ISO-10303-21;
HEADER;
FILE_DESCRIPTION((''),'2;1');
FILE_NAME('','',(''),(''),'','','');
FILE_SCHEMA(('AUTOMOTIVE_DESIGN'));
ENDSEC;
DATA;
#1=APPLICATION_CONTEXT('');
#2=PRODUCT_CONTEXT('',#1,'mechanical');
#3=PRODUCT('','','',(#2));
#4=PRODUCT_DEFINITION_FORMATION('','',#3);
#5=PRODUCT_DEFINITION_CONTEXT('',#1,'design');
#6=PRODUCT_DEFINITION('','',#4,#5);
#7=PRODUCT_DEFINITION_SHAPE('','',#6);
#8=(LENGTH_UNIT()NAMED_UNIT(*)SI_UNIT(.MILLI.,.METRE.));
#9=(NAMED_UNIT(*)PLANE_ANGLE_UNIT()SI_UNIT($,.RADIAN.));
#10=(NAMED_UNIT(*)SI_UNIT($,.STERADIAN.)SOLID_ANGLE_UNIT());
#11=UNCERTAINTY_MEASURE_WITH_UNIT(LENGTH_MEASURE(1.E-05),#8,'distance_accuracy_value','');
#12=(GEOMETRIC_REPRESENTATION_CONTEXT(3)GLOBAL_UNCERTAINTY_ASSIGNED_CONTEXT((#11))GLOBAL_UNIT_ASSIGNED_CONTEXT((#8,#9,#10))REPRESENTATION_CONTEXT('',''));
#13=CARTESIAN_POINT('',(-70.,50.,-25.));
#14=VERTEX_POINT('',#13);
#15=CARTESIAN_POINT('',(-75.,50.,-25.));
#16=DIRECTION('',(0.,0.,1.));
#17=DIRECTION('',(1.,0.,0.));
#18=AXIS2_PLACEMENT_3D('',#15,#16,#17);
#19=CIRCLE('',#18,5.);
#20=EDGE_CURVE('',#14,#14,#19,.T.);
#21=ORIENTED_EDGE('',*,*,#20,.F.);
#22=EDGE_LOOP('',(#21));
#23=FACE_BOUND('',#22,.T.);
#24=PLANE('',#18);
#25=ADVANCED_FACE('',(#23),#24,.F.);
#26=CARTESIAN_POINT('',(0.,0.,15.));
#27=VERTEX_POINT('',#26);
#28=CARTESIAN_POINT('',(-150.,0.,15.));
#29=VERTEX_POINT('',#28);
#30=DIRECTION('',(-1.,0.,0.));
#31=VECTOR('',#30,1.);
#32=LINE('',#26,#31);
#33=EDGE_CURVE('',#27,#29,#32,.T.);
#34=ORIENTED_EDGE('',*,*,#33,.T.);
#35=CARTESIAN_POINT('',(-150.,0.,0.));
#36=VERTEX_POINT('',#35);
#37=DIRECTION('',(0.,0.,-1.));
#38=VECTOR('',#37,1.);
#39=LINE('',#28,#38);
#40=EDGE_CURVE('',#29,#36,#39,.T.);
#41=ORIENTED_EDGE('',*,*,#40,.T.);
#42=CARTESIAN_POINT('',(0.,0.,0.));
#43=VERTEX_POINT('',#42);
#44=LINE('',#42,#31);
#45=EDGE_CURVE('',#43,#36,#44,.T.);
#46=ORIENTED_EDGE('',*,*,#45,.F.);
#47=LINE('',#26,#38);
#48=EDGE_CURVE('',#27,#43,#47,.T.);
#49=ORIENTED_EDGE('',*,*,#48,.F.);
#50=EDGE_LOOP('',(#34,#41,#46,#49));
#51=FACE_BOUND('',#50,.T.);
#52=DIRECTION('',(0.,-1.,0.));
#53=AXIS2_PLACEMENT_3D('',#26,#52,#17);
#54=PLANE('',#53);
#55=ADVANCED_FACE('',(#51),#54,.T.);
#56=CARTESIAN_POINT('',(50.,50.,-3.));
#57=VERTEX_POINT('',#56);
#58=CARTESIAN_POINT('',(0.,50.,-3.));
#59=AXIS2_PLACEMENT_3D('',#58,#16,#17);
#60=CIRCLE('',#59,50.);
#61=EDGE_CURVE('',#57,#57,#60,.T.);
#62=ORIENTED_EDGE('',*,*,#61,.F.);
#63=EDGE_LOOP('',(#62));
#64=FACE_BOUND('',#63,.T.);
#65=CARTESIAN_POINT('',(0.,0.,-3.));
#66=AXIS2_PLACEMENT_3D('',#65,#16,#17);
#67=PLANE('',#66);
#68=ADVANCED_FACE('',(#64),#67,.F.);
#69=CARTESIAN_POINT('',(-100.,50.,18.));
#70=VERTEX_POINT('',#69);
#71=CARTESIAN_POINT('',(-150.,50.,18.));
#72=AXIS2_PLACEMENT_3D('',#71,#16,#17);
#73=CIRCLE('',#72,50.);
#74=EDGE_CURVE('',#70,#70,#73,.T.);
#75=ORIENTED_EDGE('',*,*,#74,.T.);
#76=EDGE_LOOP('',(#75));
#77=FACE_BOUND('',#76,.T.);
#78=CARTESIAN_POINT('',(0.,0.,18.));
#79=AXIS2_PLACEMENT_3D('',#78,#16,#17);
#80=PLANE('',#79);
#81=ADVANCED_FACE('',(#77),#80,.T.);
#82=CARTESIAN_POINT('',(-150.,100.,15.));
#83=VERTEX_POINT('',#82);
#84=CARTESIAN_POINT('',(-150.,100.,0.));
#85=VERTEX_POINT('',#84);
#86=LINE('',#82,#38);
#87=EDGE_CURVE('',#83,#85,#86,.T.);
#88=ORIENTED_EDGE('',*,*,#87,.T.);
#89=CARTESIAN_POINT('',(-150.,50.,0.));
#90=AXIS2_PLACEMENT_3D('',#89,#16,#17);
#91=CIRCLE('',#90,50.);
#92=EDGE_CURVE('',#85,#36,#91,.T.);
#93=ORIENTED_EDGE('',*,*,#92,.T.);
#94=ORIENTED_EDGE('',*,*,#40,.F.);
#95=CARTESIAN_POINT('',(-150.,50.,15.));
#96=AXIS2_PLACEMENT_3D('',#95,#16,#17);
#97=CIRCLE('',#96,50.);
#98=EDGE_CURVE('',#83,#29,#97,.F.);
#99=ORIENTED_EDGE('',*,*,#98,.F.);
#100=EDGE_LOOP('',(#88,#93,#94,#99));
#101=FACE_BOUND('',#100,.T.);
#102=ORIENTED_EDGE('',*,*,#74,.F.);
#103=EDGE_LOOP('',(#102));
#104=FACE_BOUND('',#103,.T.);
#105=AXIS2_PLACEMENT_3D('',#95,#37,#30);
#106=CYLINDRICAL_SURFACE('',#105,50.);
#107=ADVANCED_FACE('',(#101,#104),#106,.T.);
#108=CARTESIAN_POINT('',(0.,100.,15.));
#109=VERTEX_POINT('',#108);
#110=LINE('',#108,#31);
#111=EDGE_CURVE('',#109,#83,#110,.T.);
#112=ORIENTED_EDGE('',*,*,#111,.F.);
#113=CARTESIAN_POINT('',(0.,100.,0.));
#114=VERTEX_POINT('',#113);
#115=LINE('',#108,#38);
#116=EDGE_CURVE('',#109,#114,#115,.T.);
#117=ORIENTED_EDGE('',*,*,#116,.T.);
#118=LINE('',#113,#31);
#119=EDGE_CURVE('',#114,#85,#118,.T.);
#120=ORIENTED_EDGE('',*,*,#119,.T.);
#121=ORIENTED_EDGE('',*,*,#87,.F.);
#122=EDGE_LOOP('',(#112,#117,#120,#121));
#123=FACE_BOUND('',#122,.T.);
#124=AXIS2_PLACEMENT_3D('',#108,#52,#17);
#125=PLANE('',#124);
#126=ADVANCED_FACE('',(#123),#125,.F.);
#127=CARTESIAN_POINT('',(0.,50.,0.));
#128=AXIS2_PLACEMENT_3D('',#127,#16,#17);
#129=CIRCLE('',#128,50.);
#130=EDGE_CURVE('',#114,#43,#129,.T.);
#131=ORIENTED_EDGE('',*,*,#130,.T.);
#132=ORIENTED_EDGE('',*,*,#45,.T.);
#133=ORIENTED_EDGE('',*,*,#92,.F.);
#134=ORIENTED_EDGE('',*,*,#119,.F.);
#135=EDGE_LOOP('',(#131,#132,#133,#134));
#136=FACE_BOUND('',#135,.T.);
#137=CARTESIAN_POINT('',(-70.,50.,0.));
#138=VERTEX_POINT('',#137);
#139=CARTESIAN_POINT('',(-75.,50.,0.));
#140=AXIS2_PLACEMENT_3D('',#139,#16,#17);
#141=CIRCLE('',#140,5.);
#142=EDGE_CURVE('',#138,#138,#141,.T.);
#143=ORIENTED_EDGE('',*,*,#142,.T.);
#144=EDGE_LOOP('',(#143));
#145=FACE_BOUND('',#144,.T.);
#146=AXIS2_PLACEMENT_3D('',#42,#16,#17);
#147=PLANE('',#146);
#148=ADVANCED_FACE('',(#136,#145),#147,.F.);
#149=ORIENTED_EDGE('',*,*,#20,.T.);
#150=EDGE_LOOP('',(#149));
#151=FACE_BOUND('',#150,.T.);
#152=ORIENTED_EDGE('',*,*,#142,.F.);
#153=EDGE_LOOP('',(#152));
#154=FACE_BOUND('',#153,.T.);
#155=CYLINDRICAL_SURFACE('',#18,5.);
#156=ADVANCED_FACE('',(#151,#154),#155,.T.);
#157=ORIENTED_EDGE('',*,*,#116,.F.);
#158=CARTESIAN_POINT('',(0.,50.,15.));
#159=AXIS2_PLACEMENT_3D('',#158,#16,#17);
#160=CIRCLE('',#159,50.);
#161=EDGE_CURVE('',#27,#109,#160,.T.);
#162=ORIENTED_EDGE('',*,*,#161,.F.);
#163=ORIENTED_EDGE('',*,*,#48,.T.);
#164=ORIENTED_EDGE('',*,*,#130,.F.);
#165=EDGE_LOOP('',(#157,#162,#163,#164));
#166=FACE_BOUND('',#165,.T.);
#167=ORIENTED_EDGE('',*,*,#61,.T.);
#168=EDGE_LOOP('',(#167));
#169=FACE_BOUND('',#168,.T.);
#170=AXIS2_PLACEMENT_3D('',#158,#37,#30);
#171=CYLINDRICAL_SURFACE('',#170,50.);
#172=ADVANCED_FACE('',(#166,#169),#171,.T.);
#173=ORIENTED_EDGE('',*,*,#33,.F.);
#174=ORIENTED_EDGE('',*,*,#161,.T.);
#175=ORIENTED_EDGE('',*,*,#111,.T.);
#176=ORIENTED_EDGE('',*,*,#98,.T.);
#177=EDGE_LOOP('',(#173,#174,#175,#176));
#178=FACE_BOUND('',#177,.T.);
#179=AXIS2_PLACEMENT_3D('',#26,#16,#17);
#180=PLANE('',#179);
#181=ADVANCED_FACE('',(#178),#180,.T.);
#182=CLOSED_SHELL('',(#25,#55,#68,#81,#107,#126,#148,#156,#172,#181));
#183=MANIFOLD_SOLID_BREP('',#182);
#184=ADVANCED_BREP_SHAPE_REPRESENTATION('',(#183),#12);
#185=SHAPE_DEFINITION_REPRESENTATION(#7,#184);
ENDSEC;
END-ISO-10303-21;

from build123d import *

# Parameters (mm, degrees)
SKETCH_1_W      = 150
SKETCH_1_H      = 100
EXTRUDE_1_DEPTH = 15
EXTRUDE_4_DEPTH = 15
SKETCH_1_14_R   = 50
EXTRUDE_6_DEPTH = 18
EXTRUDE_START   = -3
SKETCH_1_16_R   = 50
EXTRUDE_7_DEPTH = 3
SKETCH_1_17_R   = 5
EXTRUDE_8_DEPTH = 25


with BuildPart() as part:
    # 草图1 → 凸台-拉伸1 (new body)
    with BuildSketch(Plane.XY):
        with Locations((-75, 50)):
            Rectangle(SKETCH_1_W, SKETCH_1_H)
    extrude(amount=EXTRUDE_1_DEPTH)

    # 草图1<10> → 凸台-拉伸4 (add)
    with BuildSketch(Plane.XY):
        with BuildLine():
            ThreePointArc((-150, 100), (-200, 50), (-150, 0))
            Line((-150, 0), (-150, 100))
        make_face()
        with BuildLine():
            Line((0, 100), (0, 0))
            ThreePointArc((0, 0), (50, 50), (0, 100))
        make_face()
    extrude(amount=EXTRUDE_4_DEPTH)

    # 草图1<14> → 凸台-拉伸6 (add)
    with BuildSketch(Plane.XY):
        with Locations((-150, 50)):
            Circle(SKETCH_1_14_R)
    extrude(amount=EXTRUDE_6_DEPTH)

    # 草图1<16> → 凸台-拉伸7 (add)
    with BuildSketch(Plane.XY.offset(EXTRUDE_START)):
        with Locations((0, 50)):
            Circle(SKETCH_1_16_R)
    extrude(amount=EXTRUDE_7_DEPTH)

    # 草图1<17> → 凸台-拉伸8 (add)
    with BuildSketch(Plane.XY):
        with Locations((-75, 50)):
            Circle(SKETCH_1_17_R)
    extrude(amount=-EXTRUDE_8_DEPTH)


solid = part.part
